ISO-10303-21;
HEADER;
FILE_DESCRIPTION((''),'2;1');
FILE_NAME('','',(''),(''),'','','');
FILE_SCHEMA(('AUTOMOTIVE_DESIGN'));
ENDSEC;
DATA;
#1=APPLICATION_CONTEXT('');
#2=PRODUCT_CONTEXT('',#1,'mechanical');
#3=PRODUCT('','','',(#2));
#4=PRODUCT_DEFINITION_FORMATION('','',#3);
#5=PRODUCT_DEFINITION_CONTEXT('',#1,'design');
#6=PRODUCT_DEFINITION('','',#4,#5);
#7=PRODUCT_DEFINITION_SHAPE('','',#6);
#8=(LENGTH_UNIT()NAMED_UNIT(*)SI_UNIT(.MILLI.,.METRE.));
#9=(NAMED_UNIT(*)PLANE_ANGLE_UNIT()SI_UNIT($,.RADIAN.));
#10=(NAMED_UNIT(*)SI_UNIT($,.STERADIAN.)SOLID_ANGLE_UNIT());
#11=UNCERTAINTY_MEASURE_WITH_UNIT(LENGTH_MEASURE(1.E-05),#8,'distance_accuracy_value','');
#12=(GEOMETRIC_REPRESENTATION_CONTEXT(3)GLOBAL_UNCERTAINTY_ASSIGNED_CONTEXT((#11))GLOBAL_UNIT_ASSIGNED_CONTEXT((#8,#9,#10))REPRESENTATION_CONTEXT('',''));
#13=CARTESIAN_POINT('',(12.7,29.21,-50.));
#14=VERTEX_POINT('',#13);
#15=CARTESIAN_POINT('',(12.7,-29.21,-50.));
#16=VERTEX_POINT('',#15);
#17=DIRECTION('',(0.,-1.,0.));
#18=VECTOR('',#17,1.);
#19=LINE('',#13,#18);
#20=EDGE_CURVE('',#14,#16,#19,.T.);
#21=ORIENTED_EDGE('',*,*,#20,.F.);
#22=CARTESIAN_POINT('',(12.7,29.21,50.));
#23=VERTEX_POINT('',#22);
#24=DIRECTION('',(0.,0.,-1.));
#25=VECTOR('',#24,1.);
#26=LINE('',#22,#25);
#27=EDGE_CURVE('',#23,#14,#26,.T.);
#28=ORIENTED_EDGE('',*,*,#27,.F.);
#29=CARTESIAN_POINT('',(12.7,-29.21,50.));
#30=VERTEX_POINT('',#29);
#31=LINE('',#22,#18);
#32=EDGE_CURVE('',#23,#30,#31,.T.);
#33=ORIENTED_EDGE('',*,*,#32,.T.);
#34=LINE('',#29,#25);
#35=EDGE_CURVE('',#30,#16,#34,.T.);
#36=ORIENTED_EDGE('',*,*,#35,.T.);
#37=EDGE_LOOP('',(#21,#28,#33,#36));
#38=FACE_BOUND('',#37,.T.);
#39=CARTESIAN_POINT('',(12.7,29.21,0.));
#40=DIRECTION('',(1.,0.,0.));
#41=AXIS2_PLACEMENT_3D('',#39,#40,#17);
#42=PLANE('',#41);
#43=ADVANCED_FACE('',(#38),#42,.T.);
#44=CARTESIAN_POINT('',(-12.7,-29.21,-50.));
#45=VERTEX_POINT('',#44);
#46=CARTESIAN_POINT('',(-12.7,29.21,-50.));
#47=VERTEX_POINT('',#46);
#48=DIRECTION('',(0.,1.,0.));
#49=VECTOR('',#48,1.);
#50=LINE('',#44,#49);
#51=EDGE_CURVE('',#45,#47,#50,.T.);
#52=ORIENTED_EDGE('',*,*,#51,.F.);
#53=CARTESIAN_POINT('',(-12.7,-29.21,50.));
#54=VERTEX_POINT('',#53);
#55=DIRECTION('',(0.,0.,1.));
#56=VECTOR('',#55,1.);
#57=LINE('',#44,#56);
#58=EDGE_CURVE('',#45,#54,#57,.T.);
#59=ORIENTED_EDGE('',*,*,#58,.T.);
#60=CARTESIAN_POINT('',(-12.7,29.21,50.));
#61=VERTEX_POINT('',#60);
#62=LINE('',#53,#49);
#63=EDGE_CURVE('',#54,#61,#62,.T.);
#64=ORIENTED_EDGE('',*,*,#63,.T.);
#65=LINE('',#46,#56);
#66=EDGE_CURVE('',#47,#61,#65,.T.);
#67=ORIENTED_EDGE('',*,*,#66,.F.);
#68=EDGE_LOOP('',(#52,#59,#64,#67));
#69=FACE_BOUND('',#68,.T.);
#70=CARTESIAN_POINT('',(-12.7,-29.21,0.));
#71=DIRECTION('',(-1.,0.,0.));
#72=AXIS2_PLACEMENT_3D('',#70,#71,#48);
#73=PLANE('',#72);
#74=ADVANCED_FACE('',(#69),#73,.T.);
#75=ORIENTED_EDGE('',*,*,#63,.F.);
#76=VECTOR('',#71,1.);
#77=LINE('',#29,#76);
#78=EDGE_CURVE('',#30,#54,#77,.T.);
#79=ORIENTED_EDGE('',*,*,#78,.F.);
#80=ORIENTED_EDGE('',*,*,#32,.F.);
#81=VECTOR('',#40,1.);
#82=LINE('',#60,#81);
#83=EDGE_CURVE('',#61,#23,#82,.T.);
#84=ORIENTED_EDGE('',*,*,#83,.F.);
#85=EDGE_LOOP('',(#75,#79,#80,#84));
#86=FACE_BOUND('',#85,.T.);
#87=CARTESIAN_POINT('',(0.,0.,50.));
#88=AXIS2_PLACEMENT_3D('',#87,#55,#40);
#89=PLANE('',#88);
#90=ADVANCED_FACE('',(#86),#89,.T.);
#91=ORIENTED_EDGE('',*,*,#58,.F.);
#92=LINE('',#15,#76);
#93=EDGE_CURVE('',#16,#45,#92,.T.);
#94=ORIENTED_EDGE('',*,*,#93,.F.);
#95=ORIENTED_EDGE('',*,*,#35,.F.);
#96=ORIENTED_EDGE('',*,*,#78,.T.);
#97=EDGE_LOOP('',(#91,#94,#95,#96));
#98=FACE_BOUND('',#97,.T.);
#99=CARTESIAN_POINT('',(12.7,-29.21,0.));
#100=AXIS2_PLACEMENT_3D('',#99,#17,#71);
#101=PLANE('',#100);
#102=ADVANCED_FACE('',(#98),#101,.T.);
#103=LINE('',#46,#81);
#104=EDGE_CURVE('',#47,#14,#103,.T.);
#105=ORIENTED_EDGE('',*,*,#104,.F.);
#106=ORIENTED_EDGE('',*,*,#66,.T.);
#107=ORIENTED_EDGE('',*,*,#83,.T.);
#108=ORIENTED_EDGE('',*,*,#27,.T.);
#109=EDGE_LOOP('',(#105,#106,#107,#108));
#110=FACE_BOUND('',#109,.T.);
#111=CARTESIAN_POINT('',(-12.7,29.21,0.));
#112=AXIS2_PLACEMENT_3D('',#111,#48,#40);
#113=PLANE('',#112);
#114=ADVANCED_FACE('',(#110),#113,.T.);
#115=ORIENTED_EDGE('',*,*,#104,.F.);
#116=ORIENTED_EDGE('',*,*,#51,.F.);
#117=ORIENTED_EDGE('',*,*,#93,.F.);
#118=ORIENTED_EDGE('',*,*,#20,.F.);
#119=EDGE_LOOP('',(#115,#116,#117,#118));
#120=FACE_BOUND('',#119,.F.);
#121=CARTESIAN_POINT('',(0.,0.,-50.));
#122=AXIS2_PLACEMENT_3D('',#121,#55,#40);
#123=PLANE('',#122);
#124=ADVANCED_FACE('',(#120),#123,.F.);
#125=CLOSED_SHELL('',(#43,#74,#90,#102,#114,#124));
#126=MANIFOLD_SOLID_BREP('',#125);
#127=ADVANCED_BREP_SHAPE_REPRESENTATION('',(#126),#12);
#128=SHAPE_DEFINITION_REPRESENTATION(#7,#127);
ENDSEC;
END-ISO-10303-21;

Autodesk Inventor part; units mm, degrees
ref_plane "YZ Plane" through (0, 0, 0) normal (1, 0, 0) x (0, 1, 0)
ref_plane "XZ Plane" through (0, 0, 0) normal (0, 1, 0) x (-1, 0, 0)
ref_plane "XY Plane" through (0, 0, 0) normal (0, 0, 1) x (1, 0, 0)
sketch "Sketch2" plane through (0, 0, 0) normal (0, 0, 1) x (1, 0, 0)
  line L0 (-12.7, 29.21) -> (12.7, 29.21)
  line L1 (12.7, 29.21) -> (12.7, -29.21)
  line L2 (12.7, -29.21) -> (-12.7, -29.21)
  line L3 (-12.7, -29.21) -> (-12.7, 29.21)
  line L4 (-12.7, 29.21) -> (12.7, -29.21) construction
  line L5 (12.7, 29.21) -> (-12.7, -29.21) construction
  point P0 (0, 0)
  dimension "d0" = 25.4
  dimension "d1" = 58.42
extrude "Extrusion1" add sketch "Sketch2" along normal mid plane 100
properties part number "CNC-X-axis- drawer block"
